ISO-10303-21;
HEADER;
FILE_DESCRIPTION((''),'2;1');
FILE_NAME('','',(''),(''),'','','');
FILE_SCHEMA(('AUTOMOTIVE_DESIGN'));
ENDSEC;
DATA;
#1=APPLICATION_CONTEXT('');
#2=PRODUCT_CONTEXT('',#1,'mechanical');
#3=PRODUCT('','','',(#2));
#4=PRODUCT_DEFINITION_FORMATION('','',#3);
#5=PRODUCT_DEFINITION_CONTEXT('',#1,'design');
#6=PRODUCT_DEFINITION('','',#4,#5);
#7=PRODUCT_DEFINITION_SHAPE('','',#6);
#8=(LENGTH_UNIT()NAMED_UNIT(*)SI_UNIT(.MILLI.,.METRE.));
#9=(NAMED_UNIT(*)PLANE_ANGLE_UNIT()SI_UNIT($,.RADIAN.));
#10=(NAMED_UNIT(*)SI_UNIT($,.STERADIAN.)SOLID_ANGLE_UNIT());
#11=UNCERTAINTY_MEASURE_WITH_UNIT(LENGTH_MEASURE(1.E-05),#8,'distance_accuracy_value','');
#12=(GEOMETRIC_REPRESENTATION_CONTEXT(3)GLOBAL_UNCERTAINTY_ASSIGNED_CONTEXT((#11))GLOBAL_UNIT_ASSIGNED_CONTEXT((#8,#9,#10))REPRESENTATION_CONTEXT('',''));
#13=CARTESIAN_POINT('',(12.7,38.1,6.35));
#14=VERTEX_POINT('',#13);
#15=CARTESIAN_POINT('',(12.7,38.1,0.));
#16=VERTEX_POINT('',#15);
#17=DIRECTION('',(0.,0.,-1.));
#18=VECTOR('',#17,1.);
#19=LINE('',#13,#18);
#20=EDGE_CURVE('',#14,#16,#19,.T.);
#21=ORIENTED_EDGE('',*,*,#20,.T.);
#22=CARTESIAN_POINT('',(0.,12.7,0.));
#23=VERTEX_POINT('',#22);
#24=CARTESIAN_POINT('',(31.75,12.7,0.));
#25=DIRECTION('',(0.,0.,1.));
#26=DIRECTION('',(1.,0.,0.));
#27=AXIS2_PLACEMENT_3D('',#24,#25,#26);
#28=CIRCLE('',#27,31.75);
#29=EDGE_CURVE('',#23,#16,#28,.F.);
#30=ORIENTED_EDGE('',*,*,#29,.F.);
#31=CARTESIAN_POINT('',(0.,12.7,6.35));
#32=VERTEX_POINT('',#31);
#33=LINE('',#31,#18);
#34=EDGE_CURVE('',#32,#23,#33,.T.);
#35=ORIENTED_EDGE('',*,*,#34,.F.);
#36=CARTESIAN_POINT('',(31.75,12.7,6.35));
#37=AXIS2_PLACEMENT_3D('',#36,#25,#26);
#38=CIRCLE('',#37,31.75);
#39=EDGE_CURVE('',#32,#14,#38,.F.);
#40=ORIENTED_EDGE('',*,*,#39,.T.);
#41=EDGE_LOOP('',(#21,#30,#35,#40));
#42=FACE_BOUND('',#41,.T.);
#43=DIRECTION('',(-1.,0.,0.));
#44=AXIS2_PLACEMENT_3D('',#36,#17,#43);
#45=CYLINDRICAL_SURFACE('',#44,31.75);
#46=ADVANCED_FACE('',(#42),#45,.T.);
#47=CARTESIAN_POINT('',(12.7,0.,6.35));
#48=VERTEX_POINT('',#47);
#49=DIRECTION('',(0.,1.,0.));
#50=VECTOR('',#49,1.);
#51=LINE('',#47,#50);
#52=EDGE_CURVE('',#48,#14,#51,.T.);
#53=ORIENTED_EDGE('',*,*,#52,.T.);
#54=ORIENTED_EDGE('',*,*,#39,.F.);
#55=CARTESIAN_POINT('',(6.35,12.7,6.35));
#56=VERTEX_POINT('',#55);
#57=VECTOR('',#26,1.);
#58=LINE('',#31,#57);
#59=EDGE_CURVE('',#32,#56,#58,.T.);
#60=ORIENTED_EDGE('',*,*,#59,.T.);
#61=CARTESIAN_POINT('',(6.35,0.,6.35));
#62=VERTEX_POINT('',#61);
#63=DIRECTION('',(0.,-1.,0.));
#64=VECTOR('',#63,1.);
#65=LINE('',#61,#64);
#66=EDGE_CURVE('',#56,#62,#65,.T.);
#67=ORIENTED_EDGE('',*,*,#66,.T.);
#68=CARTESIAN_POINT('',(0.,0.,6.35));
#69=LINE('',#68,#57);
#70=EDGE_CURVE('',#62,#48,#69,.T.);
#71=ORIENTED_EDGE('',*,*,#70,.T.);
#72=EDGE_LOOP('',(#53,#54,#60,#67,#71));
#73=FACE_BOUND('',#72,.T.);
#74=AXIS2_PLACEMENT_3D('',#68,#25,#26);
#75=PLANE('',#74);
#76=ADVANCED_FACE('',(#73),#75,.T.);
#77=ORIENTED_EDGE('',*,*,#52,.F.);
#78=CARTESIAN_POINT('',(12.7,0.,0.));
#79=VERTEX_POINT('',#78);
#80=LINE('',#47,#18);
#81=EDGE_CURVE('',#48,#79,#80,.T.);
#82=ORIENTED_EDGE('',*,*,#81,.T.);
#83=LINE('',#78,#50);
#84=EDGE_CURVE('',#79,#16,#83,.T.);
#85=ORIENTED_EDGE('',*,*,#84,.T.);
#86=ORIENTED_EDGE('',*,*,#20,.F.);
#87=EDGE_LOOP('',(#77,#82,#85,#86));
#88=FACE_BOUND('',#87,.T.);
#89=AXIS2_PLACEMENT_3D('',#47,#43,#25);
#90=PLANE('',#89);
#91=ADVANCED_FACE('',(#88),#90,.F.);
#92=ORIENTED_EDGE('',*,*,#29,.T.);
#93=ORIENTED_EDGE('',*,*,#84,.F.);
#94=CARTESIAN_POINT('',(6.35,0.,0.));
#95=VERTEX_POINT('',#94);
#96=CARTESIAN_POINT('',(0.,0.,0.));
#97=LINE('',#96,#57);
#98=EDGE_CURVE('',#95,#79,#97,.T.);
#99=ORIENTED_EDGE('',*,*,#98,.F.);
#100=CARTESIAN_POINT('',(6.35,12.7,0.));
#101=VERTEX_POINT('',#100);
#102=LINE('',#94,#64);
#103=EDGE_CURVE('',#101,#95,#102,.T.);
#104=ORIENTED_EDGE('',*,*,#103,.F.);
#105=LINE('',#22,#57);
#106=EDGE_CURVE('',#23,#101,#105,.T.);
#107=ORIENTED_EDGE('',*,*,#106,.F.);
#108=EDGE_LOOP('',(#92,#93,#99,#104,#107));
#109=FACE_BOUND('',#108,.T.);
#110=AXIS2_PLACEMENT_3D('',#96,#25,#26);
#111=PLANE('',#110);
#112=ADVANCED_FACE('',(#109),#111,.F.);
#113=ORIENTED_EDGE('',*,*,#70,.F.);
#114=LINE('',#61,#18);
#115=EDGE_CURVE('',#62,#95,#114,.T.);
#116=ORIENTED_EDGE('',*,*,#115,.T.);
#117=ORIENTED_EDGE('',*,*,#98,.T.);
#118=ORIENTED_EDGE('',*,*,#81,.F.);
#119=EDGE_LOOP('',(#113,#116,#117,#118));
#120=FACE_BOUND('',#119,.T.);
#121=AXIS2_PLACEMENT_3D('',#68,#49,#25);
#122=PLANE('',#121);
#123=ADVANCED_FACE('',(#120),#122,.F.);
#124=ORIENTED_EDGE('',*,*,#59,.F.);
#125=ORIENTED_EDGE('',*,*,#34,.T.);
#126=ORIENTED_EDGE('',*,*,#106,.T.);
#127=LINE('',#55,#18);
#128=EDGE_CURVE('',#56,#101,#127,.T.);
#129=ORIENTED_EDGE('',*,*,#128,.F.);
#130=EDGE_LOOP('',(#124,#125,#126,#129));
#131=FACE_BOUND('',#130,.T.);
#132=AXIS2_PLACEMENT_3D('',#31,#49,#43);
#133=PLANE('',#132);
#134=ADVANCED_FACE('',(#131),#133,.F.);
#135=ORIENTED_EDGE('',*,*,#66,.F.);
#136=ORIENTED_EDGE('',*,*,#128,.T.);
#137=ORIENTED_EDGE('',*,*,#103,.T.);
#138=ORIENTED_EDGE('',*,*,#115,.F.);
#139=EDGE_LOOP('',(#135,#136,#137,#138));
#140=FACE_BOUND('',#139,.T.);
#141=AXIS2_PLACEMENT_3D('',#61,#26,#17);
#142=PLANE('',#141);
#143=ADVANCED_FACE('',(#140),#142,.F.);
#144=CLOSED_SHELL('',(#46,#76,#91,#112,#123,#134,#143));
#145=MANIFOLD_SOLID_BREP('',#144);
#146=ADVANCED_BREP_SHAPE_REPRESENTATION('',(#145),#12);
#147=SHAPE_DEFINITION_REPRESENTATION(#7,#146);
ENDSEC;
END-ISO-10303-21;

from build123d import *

# Parameters (mm, degrees)
BOSS_EXTRUDE1_DEPTH = 6.35


with BuildPart() as part:
    # Sketch1 → Boss-Extrude1 (new body)
    with BuildSketch(Plane.XY):
        with BuildLine():
            Line((6.35, 12.7), (6.35, 0))
            Line((6.35, 0), (12.7, 0))
            Line((12.7, 0), (12.7, 38.1))
            ThreePointArc((12.7, 38.1), (3.351936686, 26.899031657), (0, 12.7))
            Line((0, 12.7), (6.35, 12.7))
        make_face()
    extrude(amount=BOSS_EXTRUDE1_DEPTH)


solid = part.part
